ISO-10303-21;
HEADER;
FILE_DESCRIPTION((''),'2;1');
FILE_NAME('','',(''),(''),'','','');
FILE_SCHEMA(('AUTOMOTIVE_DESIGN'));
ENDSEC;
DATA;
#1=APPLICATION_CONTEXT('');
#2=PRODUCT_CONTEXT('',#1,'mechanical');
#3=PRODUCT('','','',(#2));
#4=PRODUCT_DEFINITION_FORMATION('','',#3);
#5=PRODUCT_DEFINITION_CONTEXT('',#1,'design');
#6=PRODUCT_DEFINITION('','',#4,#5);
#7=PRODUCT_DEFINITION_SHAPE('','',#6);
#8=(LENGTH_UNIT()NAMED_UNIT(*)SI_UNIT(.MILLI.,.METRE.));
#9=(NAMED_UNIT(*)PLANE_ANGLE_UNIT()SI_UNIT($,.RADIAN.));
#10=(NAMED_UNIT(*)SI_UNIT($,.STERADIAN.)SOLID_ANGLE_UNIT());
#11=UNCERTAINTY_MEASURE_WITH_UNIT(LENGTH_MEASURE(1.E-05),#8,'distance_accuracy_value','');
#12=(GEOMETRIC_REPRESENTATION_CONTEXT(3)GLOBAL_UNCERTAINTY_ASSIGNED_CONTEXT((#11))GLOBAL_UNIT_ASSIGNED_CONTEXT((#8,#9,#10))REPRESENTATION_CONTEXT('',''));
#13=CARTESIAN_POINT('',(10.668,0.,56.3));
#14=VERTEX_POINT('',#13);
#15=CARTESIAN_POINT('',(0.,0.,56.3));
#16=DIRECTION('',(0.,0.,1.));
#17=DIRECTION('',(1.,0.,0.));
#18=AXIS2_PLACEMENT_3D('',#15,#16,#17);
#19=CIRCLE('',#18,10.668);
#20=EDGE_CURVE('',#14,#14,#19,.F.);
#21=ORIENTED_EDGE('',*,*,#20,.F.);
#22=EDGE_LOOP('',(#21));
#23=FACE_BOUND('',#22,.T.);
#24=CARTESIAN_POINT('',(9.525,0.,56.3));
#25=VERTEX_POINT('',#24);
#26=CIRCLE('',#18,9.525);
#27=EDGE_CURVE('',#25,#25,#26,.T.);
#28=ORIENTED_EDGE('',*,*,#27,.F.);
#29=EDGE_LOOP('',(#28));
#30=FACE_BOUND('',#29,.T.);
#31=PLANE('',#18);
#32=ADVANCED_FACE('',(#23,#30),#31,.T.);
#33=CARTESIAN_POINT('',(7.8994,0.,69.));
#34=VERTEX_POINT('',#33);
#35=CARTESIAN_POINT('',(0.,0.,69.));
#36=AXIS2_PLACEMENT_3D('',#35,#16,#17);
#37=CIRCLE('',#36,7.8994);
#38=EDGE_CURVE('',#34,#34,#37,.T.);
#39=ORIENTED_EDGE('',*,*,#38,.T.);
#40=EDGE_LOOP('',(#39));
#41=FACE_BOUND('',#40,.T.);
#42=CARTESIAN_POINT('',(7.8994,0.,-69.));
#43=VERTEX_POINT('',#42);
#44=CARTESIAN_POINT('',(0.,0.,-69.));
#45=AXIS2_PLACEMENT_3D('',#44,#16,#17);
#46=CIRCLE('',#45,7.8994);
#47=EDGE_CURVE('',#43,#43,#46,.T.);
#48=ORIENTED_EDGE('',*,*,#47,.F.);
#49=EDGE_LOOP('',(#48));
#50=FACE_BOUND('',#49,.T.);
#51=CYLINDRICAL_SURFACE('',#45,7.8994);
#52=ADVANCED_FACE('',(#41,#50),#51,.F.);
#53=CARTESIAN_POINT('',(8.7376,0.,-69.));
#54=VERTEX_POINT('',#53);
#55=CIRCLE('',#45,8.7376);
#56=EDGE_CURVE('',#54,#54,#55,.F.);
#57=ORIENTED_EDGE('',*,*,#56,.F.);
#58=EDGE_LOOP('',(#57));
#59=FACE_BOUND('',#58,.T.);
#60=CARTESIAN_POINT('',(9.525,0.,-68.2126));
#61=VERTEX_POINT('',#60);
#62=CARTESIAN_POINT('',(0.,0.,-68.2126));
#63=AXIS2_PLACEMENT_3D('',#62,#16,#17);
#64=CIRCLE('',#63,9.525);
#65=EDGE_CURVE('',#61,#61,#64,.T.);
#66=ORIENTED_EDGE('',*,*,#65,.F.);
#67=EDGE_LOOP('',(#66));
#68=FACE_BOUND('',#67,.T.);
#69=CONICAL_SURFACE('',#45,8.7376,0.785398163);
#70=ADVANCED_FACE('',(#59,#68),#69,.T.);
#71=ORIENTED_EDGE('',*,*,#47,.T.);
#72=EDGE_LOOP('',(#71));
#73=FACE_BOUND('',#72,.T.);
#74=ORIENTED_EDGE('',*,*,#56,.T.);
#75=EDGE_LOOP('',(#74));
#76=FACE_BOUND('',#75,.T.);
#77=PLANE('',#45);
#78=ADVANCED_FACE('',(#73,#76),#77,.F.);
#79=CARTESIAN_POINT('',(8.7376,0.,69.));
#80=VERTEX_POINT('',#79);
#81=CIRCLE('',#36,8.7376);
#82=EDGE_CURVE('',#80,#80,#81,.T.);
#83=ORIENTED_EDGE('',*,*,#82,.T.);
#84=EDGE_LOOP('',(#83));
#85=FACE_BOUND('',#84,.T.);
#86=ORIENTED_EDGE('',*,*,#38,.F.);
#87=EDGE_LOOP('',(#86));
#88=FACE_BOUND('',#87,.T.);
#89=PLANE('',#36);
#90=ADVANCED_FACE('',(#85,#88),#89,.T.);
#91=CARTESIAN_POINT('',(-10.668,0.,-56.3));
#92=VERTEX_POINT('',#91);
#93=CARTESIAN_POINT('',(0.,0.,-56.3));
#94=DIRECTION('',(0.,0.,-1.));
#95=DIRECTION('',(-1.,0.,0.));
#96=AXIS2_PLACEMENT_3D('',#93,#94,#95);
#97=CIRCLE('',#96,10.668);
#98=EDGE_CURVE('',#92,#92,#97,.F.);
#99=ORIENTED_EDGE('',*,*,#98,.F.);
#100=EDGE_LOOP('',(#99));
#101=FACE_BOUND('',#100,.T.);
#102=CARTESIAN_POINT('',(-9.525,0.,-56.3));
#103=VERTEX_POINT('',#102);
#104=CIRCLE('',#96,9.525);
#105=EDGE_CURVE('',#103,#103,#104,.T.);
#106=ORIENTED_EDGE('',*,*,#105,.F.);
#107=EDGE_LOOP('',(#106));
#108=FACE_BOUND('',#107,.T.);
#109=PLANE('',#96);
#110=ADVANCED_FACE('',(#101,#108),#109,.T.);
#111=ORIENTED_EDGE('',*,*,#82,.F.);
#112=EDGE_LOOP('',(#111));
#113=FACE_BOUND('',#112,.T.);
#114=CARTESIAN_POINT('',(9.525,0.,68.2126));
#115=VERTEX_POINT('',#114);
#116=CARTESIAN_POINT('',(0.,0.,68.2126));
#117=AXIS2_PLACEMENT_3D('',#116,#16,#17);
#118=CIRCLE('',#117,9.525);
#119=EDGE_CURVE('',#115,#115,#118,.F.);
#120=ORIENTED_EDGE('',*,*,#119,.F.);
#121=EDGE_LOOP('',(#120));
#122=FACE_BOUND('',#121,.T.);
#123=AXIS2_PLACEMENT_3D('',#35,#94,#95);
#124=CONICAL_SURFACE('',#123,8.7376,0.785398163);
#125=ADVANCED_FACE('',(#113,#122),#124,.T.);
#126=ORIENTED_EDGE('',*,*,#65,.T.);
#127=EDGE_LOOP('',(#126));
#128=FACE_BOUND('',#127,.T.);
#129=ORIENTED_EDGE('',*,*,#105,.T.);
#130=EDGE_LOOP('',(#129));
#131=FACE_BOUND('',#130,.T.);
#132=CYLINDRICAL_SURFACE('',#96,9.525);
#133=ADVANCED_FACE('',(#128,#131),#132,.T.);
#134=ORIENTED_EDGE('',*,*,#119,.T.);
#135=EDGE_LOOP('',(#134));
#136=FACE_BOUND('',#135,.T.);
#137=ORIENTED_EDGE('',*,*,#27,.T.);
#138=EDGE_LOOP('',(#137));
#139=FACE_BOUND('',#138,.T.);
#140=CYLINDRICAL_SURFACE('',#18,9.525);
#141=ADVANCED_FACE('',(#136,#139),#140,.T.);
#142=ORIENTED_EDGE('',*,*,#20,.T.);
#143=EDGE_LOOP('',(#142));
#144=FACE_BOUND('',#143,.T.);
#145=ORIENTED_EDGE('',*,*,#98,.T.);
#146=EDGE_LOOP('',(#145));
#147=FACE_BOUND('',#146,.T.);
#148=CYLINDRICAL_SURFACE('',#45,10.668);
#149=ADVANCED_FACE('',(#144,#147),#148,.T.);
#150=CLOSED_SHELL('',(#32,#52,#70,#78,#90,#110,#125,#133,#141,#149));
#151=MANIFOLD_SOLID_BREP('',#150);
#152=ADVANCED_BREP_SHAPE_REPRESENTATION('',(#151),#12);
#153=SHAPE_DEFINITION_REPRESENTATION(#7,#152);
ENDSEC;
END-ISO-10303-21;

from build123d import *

# Parameters (mm, degrees)
BOSS_EXTRUDE1_DEPTH      = 69
BOSS_EXTRUDE1_DEPTH_BACK = 69
SKETCH1_R                = 10.668
SKETCH1_R_2              = 7.8994
SKETCH2_R                = 15.23227921
SKETCH2_R_2              = 9.525
CUT_EXTRUDE1_DEPTH       = 12.7
CUT_EXTRUDE2_START       = -12.7
SKETCH3_R                = 15.23227921
SKETCH3_R_2              = 9.525
CUT_EXTRUDE2_DEPTH       = 12.7
CHAMFER1_SIZE            = 0.7874


with BuildPart() as part:
    # Sketch1 → Boss-Extrude1 (new, two sides: drawn at the far end of the back side and taken through both)
    with BuildSketch(Plane.XY.offset(-BOSS_EXTRUDE1_DEPTH_BACK)):
        Circle(SKETCH1_R)
        Circle(SKETCH1_R_2, mode=Mode.SUBTRACT)
    extrude(amount=BOSS_EXTRUDE1_DEPTH + BOSS_EXTRUDE1_DEPTH_BACK)

    # Sketch2 → Cut-Extrude1 (cut)
    with BuildSketch(Plane.XY.offset(69)):
        Circle(SKETCH2_R)
        Circle(SKETCH2_R_2, mode=Mode.SUBTRACT)
    extrude(amount=-CUT_EXTRUDE1_DEPTH, mode=Mode.SUBTRACT)

    # Sketch3 → Cut-Extrude2 (cut)
    with BuildSketch(Plane(origin=(0, 0, -69), x_dir=(-1, 0, 0), z_dir=(0, 0, -1)).offset(CUT_EXTRUDE2_START)):
        Circle(SKETCH3_R)
        Circle(SKETCH3_R_2, mode=Mode.SUBTRACT)
    extrude(amount=CUT_EXTRUDE2_DEPTH, mode=Mode.SUBTRACT)

    # Chamfer1
    chamfer1_edges = [part.edges().sort_by_distance(p)[0] for p in [
        (-9.525, 0, 69),
        (9.525, 0, -69),
    ]]
    chamfer(chamfer1_edges, length=CHAMFER1_SIZE)


solid = part.part
